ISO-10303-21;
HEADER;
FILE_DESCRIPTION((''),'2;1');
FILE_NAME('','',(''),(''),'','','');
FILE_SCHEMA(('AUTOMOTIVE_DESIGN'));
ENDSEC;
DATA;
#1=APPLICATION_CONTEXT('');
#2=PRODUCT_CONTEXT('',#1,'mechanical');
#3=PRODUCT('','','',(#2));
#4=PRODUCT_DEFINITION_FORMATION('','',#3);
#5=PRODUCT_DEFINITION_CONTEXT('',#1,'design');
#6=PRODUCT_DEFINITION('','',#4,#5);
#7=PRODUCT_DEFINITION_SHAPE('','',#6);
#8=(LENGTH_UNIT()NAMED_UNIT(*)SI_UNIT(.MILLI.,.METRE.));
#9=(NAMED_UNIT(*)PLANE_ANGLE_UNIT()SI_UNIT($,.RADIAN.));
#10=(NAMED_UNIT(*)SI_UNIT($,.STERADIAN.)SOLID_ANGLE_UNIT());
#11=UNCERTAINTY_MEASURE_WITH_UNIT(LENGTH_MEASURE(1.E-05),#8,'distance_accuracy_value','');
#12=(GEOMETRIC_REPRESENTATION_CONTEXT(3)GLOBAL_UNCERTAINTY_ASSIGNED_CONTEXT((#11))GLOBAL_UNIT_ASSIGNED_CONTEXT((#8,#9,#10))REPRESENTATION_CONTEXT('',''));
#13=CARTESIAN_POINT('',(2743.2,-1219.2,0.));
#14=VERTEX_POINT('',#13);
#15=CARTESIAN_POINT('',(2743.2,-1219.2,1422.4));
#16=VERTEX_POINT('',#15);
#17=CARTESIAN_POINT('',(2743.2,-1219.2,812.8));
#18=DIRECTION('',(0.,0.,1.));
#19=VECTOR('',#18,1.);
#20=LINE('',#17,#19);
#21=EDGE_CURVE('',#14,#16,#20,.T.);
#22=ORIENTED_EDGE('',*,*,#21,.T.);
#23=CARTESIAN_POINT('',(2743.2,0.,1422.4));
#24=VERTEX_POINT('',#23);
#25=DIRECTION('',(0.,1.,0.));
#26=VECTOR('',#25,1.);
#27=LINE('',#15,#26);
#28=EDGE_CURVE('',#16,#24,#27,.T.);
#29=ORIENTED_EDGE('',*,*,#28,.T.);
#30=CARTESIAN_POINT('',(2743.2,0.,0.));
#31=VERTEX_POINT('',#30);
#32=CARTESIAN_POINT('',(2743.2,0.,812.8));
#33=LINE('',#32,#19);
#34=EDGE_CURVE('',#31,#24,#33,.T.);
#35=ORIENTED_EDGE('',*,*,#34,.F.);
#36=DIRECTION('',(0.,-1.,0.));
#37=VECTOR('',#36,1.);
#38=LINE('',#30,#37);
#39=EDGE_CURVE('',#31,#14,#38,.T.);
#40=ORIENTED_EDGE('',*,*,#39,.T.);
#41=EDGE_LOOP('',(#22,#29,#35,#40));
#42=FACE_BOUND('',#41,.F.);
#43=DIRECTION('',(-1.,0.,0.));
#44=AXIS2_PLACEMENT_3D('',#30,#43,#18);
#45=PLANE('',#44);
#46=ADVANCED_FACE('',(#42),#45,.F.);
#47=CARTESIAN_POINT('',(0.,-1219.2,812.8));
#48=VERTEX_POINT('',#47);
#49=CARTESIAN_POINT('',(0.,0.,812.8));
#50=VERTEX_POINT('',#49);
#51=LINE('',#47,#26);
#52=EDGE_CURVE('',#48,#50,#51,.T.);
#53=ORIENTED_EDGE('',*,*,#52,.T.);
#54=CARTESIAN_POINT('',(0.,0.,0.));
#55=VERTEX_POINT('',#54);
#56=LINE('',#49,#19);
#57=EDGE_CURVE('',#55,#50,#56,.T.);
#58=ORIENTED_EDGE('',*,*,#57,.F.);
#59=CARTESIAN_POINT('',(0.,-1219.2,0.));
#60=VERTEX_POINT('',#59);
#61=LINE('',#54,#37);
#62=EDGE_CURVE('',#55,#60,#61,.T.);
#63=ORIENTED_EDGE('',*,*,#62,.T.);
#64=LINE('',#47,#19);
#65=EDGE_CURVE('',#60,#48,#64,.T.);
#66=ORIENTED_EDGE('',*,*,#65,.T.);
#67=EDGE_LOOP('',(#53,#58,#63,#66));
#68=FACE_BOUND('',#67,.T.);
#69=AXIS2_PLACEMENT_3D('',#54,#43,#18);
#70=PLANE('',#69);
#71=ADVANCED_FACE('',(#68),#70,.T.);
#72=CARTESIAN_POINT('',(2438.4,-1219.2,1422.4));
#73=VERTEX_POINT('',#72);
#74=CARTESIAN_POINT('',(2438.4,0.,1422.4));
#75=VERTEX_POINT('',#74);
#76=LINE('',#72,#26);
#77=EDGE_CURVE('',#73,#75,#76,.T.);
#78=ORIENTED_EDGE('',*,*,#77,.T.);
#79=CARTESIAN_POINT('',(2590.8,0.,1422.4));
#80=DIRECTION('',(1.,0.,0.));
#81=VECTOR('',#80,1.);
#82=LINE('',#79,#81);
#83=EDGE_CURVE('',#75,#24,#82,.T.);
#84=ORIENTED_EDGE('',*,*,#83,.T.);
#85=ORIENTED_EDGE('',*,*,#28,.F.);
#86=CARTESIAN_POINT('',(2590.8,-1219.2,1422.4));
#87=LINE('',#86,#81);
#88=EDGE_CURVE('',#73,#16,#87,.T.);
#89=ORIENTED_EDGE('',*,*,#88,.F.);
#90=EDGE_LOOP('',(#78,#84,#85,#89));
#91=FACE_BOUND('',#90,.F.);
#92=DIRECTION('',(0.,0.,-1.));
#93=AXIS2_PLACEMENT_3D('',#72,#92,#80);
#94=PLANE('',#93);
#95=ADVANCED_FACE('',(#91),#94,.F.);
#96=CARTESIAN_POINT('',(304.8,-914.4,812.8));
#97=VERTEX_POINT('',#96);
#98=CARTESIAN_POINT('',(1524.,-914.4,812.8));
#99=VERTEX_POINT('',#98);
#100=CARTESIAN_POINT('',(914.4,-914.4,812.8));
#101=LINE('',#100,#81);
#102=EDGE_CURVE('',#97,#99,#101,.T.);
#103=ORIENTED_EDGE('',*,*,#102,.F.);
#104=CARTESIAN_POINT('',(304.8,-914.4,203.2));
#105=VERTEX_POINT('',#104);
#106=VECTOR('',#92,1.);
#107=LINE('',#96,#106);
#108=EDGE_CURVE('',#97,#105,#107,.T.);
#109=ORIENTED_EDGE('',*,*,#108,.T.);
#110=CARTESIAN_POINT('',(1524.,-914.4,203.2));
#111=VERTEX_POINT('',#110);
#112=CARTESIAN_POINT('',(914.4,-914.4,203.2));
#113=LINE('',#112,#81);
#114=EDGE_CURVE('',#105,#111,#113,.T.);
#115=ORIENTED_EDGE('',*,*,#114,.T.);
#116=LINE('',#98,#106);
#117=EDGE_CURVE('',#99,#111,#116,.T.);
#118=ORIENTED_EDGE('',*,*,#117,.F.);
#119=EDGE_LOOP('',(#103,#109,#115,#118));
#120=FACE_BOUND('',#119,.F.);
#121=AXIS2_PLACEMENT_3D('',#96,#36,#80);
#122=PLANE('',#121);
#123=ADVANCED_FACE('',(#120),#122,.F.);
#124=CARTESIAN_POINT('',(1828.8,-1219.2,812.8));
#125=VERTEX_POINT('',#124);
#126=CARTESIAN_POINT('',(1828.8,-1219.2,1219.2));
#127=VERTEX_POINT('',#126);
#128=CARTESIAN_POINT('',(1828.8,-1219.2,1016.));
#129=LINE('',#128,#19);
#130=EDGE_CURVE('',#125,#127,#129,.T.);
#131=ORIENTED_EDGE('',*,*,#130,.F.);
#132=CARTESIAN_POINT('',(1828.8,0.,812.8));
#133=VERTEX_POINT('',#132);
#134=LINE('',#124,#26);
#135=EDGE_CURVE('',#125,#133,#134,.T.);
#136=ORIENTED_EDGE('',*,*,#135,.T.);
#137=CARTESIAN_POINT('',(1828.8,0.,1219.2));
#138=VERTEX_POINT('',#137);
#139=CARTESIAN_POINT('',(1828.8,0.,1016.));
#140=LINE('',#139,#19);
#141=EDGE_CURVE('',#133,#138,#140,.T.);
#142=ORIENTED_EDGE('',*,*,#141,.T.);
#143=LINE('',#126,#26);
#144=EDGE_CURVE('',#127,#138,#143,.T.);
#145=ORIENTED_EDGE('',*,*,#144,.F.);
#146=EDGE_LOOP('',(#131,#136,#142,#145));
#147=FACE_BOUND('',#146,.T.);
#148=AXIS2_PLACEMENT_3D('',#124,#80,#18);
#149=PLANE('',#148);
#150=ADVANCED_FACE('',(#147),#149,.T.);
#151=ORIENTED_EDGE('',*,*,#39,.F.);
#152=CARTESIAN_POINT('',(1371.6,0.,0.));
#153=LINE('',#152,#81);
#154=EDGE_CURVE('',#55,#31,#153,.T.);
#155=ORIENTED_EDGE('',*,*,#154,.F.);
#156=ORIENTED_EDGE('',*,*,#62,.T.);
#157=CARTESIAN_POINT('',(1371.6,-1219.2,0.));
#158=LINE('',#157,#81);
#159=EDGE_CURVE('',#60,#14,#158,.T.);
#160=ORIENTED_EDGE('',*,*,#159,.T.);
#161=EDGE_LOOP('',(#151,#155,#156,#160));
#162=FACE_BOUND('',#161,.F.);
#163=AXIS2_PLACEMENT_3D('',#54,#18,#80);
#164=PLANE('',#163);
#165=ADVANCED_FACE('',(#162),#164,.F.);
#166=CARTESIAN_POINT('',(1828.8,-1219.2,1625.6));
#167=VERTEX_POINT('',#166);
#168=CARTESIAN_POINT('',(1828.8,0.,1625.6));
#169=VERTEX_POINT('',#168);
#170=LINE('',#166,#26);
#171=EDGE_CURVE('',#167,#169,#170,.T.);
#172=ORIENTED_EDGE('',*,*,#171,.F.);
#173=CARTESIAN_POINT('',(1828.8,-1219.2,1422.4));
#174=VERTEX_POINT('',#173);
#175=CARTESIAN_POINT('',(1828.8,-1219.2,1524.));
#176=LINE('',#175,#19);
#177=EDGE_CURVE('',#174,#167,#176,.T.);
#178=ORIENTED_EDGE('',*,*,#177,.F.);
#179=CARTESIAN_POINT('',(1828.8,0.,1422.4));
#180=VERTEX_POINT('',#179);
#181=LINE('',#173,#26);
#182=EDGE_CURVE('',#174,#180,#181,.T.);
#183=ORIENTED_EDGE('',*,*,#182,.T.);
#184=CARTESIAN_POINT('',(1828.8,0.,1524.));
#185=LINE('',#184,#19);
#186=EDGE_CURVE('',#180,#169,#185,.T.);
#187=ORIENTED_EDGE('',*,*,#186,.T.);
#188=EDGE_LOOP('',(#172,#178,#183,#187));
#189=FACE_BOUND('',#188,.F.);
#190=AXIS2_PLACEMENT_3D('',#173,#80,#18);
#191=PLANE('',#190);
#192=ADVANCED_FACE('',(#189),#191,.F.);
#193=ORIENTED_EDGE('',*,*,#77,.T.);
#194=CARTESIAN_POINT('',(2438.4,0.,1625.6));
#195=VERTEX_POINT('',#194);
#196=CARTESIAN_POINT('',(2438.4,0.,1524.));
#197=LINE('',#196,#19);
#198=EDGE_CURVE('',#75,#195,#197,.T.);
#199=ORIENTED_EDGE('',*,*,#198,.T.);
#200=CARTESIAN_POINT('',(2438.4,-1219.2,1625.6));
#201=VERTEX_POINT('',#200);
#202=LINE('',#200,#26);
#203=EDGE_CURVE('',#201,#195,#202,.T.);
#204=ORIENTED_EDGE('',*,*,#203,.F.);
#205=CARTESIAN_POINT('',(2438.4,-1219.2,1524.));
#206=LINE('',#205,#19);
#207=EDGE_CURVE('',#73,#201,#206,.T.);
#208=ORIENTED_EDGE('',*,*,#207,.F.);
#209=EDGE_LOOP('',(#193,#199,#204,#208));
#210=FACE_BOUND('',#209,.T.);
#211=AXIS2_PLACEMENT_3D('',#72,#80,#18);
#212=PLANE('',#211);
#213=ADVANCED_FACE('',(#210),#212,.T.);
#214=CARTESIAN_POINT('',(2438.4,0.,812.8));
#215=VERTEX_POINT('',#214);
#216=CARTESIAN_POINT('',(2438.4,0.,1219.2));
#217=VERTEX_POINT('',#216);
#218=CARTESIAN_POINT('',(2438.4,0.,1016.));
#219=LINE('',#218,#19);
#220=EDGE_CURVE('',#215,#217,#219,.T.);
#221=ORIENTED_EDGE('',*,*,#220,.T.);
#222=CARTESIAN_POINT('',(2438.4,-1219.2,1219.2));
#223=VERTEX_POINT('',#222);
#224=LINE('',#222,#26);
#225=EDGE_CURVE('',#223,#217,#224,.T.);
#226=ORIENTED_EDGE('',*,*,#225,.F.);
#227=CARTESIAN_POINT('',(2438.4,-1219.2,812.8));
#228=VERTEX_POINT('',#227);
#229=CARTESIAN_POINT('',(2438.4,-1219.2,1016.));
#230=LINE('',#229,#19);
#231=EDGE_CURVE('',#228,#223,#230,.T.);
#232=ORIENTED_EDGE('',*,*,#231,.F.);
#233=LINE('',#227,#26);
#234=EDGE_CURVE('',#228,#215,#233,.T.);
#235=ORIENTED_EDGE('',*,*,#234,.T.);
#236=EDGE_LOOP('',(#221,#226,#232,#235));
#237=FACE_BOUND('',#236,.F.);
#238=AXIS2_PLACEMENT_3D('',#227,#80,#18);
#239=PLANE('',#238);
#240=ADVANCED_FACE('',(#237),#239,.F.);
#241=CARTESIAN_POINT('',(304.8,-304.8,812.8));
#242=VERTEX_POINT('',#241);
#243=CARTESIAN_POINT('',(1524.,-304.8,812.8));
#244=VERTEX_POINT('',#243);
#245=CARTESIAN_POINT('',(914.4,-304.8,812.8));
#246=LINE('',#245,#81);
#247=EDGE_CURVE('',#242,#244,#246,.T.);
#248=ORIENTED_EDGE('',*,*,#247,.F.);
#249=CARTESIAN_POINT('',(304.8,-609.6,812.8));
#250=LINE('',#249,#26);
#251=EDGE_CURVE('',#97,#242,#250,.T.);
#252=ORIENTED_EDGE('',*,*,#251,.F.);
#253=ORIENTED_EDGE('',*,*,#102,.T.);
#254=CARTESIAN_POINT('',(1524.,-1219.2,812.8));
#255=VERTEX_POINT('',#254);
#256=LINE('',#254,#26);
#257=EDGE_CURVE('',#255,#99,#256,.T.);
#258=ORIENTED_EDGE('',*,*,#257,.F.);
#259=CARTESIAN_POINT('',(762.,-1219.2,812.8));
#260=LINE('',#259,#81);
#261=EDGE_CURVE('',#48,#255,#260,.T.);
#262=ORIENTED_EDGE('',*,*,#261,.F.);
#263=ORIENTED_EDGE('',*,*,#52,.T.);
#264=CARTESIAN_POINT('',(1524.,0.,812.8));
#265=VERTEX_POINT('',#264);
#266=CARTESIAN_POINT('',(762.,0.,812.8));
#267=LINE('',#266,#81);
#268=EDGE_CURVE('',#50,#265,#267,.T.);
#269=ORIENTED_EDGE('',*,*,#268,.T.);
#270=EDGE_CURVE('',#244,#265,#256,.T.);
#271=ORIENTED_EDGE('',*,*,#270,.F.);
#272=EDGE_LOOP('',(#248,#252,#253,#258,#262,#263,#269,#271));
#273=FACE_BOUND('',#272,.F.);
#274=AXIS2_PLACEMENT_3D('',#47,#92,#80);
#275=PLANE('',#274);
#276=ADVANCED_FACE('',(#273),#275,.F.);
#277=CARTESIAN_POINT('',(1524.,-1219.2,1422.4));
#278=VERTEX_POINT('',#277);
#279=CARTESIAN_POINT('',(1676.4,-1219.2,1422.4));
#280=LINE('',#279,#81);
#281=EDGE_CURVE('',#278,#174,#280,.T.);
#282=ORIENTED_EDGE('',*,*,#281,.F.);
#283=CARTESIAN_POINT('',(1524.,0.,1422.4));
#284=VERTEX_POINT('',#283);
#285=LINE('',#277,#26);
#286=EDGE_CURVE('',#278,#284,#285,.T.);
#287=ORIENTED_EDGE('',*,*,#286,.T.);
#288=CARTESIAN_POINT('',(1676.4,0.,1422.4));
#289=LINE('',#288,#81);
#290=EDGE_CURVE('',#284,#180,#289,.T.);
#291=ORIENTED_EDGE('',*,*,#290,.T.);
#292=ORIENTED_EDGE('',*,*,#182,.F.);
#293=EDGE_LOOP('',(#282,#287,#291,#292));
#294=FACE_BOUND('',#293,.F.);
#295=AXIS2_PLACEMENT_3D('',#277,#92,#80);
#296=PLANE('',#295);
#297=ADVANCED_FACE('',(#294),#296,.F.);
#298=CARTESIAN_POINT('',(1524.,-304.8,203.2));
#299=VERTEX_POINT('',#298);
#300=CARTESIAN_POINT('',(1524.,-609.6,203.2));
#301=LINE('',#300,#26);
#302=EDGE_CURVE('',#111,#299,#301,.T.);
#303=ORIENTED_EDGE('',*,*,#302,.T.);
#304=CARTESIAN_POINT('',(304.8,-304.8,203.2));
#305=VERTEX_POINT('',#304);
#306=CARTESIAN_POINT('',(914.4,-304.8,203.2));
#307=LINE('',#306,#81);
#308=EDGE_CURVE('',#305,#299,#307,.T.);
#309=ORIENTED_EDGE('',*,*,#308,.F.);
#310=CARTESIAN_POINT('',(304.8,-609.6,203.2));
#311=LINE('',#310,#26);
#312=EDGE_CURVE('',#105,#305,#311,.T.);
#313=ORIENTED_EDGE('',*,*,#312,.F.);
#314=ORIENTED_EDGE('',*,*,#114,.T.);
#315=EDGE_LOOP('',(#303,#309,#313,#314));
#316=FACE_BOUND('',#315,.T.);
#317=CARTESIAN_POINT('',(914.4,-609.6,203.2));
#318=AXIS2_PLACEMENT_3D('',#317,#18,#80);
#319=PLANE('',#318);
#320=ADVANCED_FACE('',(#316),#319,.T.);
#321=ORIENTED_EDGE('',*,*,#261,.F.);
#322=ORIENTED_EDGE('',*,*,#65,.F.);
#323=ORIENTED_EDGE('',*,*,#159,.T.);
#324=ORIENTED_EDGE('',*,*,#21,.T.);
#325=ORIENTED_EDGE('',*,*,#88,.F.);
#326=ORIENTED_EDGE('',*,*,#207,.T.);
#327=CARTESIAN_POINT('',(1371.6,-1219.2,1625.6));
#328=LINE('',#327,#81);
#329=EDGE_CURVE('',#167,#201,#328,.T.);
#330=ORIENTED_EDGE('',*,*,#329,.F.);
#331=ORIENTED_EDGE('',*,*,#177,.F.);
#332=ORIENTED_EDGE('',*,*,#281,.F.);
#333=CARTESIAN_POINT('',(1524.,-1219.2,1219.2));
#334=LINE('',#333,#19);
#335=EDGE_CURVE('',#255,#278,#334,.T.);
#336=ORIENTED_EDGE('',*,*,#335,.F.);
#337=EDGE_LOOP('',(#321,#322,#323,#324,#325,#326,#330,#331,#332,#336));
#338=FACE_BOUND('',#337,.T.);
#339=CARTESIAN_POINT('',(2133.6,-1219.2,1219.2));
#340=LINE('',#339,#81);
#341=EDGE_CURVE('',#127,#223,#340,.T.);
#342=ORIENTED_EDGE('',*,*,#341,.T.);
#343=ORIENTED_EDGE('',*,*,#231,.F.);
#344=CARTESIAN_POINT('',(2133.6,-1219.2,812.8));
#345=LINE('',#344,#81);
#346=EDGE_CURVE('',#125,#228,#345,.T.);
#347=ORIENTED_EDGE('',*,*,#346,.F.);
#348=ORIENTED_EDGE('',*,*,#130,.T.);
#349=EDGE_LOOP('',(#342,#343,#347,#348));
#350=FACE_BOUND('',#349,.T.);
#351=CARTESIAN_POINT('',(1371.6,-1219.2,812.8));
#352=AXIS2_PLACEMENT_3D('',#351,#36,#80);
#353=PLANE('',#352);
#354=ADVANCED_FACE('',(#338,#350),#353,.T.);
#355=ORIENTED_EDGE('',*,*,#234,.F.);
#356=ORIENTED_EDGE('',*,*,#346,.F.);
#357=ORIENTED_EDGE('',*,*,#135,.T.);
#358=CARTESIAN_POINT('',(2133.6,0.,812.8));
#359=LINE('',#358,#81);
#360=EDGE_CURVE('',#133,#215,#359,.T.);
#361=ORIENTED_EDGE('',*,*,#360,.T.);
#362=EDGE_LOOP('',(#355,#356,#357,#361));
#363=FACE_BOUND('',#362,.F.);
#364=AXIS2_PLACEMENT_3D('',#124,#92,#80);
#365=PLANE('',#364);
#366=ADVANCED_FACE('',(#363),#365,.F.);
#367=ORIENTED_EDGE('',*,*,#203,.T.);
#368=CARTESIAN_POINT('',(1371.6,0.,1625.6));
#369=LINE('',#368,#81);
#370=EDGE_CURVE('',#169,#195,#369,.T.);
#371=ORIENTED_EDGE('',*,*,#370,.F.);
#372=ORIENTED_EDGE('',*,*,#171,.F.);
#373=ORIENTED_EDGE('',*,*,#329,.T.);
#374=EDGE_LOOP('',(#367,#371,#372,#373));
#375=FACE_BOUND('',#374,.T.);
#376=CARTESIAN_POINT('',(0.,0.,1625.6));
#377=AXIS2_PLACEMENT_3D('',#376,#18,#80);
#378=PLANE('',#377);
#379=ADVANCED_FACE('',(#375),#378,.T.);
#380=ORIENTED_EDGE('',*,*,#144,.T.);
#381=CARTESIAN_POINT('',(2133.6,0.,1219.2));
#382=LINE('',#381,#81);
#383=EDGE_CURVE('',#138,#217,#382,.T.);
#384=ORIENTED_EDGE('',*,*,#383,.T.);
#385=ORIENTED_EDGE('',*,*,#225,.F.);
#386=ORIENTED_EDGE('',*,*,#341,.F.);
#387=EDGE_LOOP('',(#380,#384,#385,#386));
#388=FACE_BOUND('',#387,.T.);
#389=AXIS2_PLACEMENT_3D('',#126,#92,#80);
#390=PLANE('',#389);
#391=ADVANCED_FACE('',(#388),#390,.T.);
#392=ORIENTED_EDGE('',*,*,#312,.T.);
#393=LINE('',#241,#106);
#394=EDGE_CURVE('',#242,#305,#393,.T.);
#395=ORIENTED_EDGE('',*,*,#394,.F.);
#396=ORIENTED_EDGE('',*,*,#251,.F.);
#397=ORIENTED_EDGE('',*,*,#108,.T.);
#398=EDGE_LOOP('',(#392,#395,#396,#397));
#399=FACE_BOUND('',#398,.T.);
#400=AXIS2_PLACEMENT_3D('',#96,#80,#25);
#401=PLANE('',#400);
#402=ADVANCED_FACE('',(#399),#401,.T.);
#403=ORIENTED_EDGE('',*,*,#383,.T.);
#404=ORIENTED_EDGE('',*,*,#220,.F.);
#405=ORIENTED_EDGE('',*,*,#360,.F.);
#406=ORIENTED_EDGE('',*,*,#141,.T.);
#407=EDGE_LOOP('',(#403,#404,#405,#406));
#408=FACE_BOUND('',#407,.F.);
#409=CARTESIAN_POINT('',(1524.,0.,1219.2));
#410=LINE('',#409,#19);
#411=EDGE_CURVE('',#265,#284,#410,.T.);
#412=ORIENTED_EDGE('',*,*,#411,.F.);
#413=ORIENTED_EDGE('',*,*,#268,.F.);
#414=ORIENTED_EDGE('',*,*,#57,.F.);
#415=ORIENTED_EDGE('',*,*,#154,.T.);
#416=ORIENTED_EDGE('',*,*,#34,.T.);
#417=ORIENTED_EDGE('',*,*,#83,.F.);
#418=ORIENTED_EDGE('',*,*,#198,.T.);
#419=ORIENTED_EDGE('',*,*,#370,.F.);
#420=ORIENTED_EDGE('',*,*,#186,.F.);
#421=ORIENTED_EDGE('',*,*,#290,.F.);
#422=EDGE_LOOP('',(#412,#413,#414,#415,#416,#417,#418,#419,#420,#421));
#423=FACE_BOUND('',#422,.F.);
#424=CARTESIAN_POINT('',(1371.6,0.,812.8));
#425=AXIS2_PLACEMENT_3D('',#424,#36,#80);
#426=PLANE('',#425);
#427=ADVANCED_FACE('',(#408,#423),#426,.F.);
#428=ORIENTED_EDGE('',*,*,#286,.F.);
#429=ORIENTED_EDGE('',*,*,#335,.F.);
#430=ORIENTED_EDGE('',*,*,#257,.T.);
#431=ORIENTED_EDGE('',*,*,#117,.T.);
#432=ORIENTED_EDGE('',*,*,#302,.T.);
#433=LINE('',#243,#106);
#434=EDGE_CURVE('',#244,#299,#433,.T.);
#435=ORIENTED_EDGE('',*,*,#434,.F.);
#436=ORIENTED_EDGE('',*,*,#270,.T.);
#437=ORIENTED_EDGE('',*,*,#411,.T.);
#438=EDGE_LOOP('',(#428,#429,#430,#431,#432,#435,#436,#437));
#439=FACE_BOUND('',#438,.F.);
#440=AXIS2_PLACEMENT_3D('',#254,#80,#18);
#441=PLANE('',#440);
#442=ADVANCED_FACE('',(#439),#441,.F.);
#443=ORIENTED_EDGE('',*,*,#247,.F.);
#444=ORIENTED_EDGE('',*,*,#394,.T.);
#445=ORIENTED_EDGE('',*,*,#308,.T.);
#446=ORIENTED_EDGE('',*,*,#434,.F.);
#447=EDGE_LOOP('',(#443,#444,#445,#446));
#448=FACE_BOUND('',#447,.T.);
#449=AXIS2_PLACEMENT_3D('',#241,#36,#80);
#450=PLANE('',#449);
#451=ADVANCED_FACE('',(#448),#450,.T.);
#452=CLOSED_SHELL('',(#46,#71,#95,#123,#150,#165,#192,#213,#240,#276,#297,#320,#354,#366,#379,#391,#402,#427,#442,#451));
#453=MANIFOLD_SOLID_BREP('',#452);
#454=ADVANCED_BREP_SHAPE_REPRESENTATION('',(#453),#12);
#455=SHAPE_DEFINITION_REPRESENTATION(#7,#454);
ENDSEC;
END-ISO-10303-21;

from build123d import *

# Parameters (mm, degrees)
F0_W      = 2743.2
F0_H      = 1625.6
F1_DEPTH  = 1219.2
F2_W      = 1524
F2_H      = 812.8
F3_DEPTH  = 1219.2
F4_W      = 304.8
F4_H      = 203.2
F5_DEPTH  = 1219.2
F6_W      = 304.8
F6_H      = 203.2
F7_DEPTH  = 1219.2
F8_W      = 609.6
F8_H      = 406.4
F9_DEPTH  = 1219.2
F10_W     = 1219.2
F10_H     = 609.6
F11_DEPTH = 609.6


with BuildPart() as f1:
    # F0 (on Front) → F1 (new body)
    with BuildSketch(Plane.XZ):
        with Locations((1371.6, 812.8)):
            Rectangle(F0_W, F0_H)
    extrude(amount=F1_DEPTH)

    # F2 (on face) → F3 (cut)
    with BuildSketch(Plane.XZ.offset(1219.2)):
        with Locations((762, 1219.2)):
            Rectangle(F2_W, F2_H)
    extrude(amount=-F3_DEPTH, mode=Mode.SUBTRACT)

    # F4 (on face) → F5 (cut)
    with BuildSketch(Plane.XZ.offset(1219.2)):
        with Locations((1676.4, 1524)):
            Rectangle(F4_W, F4_H)
    extrude(amount=-F5_DEPTH, mode=Mode.SUBTRACT)

    # F6 (on face) → F7 (cut)
    with BuildSketch(Plane.XZ.offset(1219.2)):
        with Locations((2590.8, 1524)):
            Rectangle(F6_W, F6_H)
    extrude(amount=-F7_DEPTH, mode=Mode.SUBTRACT)

    # F8 (on face) → F9 (cut)
    with BuildSketch(Plane.XZ.offset(1219.2)):
        with Locations((2133.6, 1016)):
            Rectangle(F8_W, F8_H)
    extrude(amount=-F9_DEPTH, mode=Mode.SUBTRACT)

    # F10 (on face) → F11 (cut)
    with BuildSketch(Plane.XY.offset(812.8)):
        with Locations((914.4, -609.6)):
            Rectangle(F10_W, F10_H)
    extrude(amount=-F11_DEPTH, mode=Mode.SUBTRACT)


solid = f1.part
